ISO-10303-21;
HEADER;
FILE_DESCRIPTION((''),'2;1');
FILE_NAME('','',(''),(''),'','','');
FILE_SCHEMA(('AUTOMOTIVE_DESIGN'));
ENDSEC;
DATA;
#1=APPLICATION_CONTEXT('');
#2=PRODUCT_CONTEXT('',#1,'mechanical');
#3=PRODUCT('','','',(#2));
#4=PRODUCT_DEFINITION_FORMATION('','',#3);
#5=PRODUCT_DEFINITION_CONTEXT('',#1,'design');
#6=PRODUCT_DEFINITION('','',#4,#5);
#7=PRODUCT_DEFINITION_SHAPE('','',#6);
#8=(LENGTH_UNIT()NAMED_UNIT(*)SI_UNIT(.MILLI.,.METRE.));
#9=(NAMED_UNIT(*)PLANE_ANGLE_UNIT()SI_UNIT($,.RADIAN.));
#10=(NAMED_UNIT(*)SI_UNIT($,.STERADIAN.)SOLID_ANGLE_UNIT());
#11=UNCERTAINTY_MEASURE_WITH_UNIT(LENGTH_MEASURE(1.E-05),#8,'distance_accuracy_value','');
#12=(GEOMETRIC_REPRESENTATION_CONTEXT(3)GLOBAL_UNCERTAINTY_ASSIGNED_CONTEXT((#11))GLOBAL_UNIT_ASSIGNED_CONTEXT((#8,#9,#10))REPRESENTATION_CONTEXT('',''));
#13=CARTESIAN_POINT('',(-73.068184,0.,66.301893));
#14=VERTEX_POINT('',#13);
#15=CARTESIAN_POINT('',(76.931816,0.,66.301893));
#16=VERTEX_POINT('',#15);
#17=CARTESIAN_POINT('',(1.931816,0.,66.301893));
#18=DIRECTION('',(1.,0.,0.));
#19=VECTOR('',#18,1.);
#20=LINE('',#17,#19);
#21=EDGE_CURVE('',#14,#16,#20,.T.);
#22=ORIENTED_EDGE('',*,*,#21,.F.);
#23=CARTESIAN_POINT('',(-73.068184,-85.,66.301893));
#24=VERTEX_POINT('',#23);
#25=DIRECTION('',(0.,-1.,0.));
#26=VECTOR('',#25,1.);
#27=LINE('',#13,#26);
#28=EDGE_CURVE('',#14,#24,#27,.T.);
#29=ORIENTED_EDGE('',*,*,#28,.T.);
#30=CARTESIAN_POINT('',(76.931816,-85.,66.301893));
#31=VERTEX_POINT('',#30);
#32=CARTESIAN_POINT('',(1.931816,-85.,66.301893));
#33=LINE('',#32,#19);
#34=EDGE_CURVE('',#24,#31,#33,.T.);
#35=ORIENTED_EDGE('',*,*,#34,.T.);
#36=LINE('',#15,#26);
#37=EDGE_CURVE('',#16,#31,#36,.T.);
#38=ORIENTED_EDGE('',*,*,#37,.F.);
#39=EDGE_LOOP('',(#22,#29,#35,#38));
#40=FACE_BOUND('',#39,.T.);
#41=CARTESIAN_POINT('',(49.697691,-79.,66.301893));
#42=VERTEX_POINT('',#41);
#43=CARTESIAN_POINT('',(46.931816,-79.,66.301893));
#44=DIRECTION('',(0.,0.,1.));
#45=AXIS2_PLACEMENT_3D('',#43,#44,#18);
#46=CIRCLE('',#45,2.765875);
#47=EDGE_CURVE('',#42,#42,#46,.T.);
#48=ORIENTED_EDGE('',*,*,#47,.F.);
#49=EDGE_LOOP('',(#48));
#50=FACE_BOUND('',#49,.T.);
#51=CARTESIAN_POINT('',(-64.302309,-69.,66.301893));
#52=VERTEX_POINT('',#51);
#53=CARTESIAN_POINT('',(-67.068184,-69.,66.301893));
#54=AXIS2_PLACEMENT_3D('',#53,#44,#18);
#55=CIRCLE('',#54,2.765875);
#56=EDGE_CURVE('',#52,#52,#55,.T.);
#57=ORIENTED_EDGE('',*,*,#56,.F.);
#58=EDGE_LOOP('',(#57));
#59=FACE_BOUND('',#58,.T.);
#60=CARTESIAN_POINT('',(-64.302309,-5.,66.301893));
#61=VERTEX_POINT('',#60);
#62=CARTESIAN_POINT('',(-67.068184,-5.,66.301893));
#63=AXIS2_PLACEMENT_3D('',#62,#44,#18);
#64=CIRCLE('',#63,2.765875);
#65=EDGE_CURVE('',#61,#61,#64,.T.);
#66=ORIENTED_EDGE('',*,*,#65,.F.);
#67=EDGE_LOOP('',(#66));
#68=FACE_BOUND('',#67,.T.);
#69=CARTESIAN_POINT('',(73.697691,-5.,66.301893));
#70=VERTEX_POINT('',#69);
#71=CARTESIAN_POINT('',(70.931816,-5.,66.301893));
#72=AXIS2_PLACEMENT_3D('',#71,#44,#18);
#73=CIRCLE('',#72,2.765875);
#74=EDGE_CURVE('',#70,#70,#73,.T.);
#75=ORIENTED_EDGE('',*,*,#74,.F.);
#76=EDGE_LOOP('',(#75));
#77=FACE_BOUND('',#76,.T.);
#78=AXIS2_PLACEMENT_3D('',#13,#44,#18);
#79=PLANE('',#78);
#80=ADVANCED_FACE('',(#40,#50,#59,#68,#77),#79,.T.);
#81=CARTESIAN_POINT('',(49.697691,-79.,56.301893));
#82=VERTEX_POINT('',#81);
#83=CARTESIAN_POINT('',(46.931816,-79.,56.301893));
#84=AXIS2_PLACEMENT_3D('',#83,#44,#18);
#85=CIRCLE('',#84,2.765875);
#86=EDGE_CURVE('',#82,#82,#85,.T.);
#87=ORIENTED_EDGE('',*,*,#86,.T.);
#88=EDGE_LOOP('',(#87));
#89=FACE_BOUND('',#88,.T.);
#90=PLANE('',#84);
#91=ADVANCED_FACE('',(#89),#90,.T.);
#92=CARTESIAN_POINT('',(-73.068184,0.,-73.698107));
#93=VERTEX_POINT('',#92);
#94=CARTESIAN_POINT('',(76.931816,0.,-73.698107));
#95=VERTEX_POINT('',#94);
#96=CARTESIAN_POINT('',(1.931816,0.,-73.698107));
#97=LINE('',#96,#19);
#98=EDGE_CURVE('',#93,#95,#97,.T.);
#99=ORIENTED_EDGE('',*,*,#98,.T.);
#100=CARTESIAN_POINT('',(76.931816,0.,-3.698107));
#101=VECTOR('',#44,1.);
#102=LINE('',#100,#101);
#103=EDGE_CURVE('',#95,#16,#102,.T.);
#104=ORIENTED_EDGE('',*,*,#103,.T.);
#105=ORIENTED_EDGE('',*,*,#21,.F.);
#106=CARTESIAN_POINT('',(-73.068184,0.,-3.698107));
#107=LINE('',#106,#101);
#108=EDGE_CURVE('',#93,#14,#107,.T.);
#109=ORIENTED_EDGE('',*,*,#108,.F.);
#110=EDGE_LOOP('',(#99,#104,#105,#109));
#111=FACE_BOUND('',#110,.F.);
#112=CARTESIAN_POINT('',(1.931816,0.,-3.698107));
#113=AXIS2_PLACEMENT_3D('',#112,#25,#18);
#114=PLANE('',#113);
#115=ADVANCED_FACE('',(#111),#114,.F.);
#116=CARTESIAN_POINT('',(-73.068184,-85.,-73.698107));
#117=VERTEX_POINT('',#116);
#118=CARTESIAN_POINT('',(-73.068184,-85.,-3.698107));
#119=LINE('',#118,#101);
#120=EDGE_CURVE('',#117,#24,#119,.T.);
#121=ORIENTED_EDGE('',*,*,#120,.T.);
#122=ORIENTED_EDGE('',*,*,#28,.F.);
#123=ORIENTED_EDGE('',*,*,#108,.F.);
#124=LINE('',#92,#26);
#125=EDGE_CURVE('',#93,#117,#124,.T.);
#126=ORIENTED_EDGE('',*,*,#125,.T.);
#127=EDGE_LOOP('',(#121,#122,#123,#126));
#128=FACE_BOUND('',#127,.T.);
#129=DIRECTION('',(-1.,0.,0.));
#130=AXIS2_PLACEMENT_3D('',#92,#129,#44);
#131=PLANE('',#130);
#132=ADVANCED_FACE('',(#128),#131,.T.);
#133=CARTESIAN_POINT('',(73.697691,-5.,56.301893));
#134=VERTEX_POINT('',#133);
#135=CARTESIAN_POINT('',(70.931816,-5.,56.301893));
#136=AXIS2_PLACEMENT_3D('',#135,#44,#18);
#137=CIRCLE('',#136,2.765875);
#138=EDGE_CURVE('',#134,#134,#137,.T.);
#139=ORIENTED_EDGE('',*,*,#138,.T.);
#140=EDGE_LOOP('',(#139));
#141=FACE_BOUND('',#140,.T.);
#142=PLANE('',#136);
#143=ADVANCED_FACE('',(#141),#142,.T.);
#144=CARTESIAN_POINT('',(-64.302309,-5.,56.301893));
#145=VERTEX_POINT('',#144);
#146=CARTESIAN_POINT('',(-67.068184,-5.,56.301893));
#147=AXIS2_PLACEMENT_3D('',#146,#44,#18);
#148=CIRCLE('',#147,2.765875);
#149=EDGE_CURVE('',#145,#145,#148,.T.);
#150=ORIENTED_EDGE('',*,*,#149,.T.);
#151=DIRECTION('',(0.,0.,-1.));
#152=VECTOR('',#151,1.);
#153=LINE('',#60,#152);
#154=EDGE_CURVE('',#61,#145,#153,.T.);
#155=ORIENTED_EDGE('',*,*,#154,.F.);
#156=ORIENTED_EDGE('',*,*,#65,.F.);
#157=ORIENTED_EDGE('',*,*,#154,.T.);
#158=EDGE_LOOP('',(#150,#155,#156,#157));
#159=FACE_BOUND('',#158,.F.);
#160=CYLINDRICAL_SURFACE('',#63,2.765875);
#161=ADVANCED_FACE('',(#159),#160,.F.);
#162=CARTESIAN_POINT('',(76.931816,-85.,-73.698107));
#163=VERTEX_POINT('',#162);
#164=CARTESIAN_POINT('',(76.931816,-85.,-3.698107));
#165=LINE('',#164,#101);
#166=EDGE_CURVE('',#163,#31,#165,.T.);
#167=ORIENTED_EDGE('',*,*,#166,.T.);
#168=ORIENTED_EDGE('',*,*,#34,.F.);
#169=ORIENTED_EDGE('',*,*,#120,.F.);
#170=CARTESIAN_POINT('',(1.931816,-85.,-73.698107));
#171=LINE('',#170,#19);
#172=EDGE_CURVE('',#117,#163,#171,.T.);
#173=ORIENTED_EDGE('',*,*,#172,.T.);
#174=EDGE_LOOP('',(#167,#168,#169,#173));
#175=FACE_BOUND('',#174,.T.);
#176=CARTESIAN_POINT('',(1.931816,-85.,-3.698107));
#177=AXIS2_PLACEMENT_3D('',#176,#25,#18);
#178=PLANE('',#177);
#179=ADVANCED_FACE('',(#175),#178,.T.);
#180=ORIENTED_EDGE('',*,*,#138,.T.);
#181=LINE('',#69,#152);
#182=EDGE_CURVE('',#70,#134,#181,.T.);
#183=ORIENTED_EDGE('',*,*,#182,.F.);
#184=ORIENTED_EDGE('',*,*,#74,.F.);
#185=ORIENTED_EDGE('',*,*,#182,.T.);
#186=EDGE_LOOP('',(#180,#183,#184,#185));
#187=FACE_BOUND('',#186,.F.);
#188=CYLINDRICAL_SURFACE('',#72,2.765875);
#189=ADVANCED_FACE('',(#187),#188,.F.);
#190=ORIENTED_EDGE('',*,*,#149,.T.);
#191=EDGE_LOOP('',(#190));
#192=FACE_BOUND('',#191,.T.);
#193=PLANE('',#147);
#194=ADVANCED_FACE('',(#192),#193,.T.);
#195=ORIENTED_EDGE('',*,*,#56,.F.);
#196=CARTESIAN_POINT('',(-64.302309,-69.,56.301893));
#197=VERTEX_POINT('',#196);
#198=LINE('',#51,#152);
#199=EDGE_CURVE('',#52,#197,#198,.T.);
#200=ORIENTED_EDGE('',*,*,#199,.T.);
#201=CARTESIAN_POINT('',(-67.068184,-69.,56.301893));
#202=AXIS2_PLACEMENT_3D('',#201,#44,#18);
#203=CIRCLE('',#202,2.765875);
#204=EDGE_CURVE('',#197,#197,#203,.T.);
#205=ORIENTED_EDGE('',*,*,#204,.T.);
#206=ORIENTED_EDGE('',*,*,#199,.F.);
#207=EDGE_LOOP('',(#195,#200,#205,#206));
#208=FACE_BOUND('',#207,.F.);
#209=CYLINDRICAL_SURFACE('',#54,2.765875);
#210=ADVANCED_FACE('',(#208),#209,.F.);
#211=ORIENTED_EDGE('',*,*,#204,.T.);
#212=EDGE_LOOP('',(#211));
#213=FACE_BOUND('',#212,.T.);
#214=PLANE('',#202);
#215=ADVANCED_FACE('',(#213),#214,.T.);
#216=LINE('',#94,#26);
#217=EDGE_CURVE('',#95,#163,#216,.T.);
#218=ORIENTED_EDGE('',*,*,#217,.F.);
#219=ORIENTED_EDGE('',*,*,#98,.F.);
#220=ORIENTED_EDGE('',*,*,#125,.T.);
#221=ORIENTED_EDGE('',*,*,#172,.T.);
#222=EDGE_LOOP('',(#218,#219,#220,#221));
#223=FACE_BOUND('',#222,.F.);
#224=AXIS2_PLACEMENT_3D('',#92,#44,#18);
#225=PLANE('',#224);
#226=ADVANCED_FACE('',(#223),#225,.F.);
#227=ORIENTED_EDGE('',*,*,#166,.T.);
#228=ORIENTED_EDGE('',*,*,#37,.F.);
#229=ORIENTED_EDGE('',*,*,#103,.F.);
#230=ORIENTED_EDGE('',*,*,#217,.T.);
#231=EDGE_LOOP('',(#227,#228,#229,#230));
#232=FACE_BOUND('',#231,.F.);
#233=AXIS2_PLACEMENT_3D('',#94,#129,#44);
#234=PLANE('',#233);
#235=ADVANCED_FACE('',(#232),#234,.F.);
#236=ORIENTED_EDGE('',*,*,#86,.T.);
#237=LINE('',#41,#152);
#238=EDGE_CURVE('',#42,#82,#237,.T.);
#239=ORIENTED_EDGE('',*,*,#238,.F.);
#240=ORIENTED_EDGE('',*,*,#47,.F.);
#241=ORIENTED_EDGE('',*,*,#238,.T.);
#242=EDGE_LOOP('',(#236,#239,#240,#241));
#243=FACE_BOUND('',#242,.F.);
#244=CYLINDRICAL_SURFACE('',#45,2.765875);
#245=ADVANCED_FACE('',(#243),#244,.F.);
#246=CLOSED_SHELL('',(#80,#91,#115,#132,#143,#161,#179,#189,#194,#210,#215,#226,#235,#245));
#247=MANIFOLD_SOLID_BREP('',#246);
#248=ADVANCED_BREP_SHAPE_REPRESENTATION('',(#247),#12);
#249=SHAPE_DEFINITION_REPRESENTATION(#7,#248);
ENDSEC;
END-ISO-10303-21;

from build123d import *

# Parameters (mm, degrees)
F0_W     = 150
F0_H     = 140
F1_DEPTH = 85
F2_R     = 2.765875
F3_DEPTH = 10


with BuildPart() as f1:
    # F0 (on Front) → F1 (new body)
    with BuildSketch(Plane.XZ):
        with Locations((1.931816, -3.698107)):
            Rectangle(F0_W, F0_H)
    extrude(amount=F1_DEPTH)

    # F2 (on face) → F3 (cut)
    with BuildSketch(Plane.XY.offset(66.301893)):
        with Locations((-67.068184, -5)):
            Circle(F2_R)
        with Locations((-67.068184, -69)):
            Circle(F2_R)
        with Locations((70.931816, -5)):
            Circle(F2_R)
        with Locations((46.931816, -79)):
            Circle(F2_R)
    extrude(amount=-F3_DEPTH, mode=Mode.SUBTRACT)


solid = f1.part
